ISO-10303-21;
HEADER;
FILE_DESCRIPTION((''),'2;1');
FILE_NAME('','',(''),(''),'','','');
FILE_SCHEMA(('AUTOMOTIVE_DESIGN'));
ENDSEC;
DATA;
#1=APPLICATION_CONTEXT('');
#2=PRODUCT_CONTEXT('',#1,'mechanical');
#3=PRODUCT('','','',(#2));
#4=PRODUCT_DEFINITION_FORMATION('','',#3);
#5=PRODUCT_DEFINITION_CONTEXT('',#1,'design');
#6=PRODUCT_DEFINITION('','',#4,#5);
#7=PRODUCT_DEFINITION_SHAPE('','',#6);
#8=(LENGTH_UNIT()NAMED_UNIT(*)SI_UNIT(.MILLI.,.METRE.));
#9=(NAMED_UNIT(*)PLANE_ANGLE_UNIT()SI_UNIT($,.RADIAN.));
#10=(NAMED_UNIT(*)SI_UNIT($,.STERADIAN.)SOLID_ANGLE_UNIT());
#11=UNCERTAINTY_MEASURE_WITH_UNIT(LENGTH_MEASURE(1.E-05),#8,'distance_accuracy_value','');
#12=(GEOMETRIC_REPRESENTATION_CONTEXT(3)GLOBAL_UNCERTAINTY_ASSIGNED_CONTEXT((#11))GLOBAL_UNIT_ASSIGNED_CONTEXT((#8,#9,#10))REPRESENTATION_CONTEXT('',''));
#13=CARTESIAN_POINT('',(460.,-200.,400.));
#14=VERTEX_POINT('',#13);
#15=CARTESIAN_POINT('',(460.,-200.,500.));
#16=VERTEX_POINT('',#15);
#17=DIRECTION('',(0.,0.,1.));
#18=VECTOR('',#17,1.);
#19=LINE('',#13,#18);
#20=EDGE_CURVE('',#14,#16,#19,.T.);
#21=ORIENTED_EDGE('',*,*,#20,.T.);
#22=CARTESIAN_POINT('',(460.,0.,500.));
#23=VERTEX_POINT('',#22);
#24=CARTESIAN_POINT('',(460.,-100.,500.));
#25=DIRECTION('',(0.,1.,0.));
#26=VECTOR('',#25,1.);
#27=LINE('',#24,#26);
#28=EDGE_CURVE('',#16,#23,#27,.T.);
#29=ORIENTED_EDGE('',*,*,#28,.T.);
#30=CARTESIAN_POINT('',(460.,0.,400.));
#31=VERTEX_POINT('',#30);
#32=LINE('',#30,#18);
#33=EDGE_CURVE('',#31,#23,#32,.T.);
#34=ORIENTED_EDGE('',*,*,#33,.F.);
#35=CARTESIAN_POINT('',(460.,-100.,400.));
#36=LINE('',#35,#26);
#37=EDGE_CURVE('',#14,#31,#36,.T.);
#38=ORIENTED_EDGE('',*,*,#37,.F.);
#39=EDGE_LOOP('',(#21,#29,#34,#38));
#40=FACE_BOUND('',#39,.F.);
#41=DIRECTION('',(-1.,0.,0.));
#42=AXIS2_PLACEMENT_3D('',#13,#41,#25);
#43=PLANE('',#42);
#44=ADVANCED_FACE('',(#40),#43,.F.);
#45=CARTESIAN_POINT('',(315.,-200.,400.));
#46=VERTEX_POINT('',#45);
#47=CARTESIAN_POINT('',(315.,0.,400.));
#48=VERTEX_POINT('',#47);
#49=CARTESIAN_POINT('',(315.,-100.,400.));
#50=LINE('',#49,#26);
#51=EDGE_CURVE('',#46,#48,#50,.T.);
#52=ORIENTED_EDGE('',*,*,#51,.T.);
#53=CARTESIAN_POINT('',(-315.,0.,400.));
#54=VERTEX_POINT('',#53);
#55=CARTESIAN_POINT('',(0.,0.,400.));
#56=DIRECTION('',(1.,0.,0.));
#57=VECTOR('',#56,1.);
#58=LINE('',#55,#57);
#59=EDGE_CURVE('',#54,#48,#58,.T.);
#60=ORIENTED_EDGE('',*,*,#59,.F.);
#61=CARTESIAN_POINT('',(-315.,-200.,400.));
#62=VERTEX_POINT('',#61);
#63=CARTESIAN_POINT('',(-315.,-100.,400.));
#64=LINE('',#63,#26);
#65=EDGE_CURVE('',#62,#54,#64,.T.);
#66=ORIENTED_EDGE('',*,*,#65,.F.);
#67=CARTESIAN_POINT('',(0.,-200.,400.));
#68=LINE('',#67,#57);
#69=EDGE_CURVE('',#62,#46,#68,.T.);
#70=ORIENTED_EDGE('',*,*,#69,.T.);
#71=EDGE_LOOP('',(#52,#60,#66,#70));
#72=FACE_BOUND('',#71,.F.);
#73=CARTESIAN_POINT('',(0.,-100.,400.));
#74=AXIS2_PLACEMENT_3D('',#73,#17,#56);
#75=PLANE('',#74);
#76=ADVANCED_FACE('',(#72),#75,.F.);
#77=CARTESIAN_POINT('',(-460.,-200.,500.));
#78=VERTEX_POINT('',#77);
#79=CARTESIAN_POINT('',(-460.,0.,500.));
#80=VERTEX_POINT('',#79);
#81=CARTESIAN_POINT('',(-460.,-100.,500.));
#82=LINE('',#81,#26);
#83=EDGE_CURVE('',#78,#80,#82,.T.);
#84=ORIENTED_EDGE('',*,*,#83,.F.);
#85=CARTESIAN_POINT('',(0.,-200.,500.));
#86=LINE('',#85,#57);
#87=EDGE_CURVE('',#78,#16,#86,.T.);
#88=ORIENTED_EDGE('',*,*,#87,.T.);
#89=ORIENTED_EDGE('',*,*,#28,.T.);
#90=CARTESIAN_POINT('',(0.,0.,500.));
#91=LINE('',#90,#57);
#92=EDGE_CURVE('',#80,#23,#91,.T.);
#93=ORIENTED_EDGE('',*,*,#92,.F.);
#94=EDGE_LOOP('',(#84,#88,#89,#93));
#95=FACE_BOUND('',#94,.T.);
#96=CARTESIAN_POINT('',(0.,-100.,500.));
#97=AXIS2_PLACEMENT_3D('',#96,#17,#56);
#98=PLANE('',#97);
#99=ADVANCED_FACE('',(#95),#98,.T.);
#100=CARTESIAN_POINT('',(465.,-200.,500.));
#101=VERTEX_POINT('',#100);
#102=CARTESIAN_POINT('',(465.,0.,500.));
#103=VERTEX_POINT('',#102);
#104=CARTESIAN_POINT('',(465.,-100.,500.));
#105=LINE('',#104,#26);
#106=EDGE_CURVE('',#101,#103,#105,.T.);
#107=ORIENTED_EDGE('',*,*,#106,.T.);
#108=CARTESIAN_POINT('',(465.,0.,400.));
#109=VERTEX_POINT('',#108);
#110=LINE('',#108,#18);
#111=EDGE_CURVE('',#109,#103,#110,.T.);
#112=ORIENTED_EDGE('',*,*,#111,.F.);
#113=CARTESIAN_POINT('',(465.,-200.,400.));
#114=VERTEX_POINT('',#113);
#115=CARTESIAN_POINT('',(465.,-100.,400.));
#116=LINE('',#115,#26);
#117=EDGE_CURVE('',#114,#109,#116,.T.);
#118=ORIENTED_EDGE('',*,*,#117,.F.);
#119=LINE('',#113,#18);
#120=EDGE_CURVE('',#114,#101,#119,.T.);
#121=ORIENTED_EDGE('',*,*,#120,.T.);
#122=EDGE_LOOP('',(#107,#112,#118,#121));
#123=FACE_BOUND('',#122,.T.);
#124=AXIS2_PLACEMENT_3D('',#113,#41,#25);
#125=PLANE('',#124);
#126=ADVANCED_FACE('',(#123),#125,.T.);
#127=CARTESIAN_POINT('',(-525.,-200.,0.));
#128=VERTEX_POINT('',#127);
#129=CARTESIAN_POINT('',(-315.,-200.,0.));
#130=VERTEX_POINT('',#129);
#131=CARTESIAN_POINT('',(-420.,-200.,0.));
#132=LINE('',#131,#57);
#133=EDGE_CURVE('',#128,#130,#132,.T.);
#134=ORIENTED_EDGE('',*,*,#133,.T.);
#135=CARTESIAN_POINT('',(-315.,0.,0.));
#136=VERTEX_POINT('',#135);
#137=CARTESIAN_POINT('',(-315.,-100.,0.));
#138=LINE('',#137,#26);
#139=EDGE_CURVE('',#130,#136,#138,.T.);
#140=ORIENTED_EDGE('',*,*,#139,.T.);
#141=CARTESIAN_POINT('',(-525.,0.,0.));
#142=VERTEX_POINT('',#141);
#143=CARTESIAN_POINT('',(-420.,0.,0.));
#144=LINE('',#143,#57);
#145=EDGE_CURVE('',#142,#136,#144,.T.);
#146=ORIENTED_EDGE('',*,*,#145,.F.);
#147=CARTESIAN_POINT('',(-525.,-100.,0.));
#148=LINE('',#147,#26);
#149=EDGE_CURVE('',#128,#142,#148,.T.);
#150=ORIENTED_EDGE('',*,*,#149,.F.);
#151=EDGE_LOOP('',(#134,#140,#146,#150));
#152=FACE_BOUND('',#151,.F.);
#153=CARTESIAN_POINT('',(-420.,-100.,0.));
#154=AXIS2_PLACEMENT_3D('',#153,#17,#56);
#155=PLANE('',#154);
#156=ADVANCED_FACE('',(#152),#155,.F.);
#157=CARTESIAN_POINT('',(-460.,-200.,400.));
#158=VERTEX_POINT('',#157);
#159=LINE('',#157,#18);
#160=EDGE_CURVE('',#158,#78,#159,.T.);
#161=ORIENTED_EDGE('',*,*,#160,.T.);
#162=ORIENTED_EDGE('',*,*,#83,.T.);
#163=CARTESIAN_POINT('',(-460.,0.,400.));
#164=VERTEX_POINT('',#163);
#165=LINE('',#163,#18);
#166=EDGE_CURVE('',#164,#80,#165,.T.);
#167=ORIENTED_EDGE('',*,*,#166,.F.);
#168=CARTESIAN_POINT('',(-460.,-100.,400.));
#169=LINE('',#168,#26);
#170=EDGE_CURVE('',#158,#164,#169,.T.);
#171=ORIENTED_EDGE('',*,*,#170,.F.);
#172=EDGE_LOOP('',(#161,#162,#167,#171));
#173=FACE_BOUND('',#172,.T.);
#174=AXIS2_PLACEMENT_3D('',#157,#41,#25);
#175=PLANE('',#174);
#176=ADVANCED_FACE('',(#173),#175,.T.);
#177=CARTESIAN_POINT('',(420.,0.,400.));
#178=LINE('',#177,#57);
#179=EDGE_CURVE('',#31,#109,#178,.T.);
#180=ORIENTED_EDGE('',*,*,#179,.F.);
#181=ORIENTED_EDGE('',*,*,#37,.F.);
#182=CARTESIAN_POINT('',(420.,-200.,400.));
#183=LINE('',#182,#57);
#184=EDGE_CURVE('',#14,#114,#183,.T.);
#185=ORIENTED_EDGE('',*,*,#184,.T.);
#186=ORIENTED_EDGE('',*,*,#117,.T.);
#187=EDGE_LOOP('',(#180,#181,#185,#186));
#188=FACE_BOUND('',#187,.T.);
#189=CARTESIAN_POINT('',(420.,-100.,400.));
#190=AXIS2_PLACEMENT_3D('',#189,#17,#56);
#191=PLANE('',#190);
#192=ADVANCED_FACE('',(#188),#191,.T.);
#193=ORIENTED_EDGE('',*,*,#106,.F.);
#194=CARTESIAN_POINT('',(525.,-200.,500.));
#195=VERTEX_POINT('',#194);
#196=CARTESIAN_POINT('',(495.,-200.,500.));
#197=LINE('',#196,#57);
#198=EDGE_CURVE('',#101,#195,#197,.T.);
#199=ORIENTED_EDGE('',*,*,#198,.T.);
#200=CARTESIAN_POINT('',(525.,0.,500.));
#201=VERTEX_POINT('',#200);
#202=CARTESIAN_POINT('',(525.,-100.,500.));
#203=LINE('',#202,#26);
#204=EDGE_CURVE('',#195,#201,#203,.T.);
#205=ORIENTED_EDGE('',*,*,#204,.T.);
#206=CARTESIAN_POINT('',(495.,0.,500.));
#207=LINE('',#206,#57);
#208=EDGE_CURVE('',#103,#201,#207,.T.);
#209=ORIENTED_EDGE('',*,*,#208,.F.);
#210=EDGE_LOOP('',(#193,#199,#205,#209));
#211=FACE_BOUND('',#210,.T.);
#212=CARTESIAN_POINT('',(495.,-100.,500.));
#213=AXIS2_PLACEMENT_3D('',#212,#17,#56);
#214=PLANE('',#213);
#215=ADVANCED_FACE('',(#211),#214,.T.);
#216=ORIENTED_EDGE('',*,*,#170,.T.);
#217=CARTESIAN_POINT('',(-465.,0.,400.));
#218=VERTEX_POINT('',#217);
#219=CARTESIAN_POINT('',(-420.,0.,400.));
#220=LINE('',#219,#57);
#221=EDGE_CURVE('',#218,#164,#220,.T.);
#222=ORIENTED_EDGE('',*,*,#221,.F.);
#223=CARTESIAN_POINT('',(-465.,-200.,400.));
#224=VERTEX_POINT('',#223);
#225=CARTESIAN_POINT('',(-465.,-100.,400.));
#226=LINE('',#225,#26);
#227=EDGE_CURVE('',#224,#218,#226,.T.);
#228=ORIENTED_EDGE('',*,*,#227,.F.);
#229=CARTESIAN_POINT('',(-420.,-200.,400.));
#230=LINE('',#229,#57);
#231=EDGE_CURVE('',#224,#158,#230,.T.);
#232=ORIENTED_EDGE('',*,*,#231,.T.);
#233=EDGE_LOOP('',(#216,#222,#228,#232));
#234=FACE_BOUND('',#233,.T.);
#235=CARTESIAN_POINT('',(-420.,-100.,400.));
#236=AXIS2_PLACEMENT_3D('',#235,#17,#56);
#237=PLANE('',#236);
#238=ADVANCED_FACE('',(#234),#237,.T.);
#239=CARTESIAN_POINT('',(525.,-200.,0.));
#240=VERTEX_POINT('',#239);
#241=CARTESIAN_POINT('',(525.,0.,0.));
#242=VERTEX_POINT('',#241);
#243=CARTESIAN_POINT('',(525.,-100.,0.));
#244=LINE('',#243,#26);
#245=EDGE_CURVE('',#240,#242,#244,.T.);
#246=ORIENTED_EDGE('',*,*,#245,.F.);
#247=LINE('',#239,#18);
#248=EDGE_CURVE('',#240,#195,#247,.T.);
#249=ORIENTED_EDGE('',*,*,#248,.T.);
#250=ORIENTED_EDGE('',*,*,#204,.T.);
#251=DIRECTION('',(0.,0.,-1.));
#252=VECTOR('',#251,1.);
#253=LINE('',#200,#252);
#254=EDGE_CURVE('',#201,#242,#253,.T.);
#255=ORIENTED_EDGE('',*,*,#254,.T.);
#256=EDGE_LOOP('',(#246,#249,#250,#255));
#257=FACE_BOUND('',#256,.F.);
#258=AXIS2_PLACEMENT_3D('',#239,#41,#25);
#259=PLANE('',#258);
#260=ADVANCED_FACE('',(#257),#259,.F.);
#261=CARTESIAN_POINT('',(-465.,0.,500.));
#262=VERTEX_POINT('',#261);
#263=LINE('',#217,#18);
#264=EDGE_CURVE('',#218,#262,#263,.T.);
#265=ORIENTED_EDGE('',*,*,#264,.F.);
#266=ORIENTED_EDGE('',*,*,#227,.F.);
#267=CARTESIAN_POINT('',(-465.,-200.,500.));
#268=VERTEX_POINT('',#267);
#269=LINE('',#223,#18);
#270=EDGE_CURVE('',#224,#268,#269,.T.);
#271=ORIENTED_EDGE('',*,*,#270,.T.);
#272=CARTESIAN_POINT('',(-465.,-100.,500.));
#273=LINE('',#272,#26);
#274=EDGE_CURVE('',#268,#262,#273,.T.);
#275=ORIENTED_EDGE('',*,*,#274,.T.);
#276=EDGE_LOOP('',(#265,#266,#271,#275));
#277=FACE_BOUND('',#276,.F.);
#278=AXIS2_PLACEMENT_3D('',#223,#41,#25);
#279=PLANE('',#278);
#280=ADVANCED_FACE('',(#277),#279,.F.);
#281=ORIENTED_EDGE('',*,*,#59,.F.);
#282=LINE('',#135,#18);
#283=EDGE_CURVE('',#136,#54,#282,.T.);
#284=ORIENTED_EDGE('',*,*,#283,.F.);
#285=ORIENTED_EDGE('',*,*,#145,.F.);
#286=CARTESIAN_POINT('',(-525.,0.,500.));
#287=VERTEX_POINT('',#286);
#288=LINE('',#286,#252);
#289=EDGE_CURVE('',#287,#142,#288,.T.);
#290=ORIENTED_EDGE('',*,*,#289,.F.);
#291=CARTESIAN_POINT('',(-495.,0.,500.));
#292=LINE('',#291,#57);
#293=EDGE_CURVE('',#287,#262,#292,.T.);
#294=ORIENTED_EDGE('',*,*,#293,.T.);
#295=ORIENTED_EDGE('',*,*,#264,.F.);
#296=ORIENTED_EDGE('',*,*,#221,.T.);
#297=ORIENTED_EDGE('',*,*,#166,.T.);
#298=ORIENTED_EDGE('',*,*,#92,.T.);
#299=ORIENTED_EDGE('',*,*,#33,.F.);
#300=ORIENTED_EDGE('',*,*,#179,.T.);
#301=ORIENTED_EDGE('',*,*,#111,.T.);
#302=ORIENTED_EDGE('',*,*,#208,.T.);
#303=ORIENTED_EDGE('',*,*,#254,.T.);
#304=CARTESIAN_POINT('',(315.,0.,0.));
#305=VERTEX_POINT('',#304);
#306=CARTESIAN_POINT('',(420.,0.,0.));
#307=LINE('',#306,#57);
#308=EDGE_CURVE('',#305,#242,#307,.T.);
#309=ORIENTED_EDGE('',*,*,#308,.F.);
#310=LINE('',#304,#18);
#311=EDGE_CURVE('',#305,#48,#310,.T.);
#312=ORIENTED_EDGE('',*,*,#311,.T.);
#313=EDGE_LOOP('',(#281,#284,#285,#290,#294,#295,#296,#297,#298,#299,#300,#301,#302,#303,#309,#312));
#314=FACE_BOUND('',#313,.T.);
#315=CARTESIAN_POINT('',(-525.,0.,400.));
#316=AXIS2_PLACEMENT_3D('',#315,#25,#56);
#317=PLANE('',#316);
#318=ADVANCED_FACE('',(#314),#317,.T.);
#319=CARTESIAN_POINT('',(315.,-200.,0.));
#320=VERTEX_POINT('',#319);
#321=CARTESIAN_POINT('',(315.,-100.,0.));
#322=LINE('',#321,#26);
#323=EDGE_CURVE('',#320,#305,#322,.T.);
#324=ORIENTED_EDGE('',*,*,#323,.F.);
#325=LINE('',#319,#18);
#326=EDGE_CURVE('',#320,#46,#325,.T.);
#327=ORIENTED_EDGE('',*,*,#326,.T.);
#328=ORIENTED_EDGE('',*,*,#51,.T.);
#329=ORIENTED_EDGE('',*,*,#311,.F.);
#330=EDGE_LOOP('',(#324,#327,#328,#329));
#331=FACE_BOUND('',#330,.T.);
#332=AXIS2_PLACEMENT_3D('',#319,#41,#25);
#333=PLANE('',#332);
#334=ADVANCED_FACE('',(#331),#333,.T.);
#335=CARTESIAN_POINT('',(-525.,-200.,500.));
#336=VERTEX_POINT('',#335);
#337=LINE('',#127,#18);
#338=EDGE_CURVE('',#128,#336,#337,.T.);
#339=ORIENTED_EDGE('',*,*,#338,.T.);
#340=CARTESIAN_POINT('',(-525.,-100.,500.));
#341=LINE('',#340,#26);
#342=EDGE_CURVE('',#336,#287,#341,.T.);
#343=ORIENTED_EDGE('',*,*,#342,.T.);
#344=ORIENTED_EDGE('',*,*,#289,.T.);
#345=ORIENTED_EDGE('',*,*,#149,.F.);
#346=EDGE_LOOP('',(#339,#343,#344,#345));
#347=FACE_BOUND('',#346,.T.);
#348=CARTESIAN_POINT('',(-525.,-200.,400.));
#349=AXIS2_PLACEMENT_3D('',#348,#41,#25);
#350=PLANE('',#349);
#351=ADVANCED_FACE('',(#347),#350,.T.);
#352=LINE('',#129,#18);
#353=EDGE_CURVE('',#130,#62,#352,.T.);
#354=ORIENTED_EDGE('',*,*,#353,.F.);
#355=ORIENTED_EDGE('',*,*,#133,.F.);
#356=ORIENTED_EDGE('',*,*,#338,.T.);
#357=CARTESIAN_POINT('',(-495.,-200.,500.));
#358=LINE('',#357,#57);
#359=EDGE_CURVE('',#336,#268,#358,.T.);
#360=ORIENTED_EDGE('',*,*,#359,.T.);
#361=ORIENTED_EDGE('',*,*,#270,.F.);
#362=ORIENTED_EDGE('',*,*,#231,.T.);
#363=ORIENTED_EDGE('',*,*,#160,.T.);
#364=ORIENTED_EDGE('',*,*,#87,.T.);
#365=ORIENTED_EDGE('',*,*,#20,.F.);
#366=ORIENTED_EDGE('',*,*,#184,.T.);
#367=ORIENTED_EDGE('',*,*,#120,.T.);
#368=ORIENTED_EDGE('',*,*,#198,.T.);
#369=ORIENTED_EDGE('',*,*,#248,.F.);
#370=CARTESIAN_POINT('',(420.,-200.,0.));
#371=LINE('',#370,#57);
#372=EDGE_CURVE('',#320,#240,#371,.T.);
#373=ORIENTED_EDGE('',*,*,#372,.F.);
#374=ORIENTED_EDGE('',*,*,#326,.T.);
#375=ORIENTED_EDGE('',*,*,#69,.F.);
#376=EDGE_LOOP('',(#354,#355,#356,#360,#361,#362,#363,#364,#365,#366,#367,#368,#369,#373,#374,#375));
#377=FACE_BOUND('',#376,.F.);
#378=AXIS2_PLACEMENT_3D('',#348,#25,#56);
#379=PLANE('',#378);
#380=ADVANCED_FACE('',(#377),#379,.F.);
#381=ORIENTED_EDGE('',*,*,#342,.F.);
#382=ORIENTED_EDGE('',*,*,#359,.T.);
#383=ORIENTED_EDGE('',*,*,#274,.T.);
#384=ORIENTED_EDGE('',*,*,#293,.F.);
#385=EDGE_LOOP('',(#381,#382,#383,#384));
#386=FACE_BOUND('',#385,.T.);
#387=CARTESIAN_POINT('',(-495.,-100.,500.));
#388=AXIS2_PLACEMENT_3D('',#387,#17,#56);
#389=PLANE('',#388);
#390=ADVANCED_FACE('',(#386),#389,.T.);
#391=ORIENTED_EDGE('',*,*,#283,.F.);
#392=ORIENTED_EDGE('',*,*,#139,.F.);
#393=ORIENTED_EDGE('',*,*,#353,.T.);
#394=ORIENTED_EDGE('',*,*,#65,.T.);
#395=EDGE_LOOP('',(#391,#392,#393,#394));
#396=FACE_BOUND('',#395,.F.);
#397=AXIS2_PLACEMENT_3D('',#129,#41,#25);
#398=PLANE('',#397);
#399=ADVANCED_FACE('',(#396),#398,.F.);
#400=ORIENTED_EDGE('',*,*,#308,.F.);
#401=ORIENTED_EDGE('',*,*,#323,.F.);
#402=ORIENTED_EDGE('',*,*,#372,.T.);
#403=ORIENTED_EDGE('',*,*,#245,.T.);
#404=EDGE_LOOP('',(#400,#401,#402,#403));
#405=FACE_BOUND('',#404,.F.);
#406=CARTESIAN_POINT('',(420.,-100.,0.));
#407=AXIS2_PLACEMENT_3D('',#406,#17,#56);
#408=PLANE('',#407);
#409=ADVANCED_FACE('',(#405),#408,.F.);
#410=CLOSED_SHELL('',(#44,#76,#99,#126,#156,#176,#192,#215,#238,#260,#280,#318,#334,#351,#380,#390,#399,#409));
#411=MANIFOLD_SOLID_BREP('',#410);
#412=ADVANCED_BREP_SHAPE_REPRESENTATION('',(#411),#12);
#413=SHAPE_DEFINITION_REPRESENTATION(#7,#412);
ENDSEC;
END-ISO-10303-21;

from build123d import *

# Parameters (mm, degrees)
F0_W     = 210
F0_H     = 200
F1_DEPTH = 400
F2_W     = 920
F2_H     = 200
F3_DEPTH = 100
F4_W     = 60
F4_H     = 200
F5_DEPTH = 100


with BuildPart() as f1:
    # F0 (on Top) → F1 (new body)
    with BuildSketch(Plane.XY):
        with Locations((-420, -100)):
            Rectangle(F0_W, F0_H)
        with Locations((420, -100)):
            Rectangle(F0_W, F0_H)
    extrude(amount=F1_DEPTH)

    # F2 (on face) → F3 (join)
    with BuildSketch(Plane.XY.offset(400)):
        with Locations((0, -100)):
            Rectangle(F2_W, F2_H)
    extrude(amount=F3_DEPTH)

    # F4 (on face) → F5 (join)
    with BuildSketch(Plane.XY.offset(400)):
        with Locations((-495, -100)):
            Rectangle(F4_W, F4_H)
        with Locations((495, -100)):
            Rectangle(F4_W, F4_H)
    extrude(amount=F5_DEPTH)


solid = f1.part
